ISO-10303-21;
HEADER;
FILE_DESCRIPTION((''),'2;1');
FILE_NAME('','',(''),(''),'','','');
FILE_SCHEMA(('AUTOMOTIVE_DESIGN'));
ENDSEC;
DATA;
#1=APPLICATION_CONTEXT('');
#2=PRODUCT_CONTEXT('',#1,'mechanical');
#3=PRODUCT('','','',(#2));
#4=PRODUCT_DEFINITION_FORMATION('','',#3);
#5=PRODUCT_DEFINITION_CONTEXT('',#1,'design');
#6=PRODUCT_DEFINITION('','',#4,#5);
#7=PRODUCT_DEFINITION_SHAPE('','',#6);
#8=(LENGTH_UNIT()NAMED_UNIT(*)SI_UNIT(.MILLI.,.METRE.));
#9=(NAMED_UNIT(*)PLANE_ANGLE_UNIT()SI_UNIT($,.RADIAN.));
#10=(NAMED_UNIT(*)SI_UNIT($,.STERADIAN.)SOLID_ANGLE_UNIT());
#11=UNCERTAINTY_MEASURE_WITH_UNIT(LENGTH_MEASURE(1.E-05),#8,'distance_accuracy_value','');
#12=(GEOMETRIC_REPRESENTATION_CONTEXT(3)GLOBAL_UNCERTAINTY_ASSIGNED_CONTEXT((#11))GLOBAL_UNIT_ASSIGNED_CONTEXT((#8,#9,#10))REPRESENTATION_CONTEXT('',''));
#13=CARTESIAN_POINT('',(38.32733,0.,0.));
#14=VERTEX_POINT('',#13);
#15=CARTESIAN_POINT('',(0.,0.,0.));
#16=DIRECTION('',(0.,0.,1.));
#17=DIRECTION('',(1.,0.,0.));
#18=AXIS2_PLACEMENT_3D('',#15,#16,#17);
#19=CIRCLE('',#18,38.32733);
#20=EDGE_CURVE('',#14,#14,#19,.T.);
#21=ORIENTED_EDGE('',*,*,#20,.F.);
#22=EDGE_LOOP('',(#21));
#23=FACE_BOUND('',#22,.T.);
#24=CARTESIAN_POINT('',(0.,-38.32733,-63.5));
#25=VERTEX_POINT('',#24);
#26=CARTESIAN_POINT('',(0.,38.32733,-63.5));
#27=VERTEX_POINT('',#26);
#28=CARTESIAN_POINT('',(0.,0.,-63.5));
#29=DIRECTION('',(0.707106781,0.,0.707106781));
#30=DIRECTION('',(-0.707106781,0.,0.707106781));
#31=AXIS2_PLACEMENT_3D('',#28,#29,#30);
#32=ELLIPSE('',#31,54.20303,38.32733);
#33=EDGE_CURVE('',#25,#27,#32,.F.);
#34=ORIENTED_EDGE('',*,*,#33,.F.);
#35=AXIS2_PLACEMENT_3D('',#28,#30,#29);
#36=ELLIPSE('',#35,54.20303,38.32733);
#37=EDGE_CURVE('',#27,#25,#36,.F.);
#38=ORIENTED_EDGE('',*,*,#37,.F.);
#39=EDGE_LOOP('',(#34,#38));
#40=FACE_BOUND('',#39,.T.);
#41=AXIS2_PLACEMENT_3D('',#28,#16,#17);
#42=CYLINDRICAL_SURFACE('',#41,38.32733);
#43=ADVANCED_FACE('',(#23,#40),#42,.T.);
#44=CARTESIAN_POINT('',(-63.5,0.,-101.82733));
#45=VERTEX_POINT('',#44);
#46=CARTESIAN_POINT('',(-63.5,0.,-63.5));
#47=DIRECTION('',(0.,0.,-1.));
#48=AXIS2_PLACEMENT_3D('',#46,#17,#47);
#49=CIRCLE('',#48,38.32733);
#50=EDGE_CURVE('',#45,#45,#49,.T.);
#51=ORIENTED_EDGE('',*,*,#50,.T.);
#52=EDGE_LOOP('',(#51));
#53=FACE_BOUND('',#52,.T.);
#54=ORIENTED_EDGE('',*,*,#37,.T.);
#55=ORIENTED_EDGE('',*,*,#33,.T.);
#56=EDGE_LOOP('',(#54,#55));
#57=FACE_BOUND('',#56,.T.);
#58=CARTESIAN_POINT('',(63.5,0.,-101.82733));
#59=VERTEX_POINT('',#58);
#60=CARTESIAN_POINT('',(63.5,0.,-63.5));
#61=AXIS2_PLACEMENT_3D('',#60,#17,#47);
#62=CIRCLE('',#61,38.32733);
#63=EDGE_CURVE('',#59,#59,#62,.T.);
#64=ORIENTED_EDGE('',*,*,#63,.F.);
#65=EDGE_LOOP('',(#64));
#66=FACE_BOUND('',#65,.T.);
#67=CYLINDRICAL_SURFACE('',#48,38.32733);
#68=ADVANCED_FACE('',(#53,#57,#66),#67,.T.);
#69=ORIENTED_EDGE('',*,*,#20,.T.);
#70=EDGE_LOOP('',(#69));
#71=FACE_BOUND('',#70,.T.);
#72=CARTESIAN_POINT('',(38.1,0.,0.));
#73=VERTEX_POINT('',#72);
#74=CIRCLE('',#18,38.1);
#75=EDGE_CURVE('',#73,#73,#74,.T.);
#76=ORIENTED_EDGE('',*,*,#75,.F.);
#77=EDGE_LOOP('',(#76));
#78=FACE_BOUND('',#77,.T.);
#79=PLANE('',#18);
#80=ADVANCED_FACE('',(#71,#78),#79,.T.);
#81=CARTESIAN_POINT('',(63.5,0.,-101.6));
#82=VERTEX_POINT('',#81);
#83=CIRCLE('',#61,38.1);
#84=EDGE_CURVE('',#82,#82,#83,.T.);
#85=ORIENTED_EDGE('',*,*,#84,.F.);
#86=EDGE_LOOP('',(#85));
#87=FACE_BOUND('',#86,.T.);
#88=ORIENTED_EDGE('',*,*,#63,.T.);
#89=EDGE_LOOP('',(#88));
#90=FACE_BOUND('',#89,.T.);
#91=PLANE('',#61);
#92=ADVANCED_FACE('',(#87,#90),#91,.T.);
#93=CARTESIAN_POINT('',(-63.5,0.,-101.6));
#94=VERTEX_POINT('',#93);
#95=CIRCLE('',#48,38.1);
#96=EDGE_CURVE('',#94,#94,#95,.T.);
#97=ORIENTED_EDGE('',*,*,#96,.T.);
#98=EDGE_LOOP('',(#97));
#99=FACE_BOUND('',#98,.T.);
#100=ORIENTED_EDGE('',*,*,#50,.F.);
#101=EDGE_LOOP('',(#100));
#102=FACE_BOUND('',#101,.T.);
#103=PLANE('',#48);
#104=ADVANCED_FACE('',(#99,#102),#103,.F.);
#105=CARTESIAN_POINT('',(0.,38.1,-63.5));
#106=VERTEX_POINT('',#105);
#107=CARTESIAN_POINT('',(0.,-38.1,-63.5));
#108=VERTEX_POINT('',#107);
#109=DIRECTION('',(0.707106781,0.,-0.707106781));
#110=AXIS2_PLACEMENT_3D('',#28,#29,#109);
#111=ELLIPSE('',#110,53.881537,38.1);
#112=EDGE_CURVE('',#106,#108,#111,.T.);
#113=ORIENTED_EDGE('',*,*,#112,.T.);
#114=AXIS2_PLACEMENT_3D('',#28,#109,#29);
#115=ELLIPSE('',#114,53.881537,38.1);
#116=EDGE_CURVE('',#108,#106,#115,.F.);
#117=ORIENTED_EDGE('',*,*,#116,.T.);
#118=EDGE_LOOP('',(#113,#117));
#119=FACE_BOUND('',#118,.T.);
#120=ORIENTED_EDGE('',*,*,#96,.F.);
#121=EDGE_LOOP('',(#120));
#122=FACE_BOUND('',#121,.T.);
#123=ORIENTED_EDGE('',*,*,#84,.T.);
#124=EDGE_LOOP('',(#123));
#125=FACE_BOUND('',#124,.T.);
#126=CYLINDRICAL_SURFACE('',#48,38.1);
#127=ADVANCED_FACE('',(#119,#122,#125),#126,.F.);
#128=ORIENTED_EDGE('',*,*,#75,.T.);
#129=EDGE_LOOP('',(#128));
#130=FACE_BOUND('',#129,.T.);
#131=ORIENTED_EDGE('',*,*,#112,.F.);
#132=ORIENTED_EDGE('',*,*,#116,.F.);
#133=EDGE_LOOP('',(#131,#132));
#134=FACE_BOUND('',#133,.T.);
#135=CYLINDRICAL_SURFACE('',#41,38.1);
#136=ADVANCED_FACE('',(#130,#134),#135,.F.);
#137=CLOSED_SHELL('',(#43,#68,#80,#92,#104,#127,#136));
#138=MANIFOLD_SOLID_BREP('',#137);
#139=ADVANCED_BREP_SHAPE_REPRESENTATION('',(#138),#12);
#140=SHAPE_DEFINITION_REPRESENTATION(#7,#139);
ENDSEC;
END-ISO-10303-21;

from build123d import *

# Parameters (mm, degrees)
SKETCH1_R           = 38.32733
BOSS_EXTRUDE2_DEPTH = 63.5
SKETCH2_R           = 38.32733
BOSS_EXTRUDE3_DEPTH = 127
SKETCH3_R           = 38.1
CUT_EXTRUDE1_DEPTH  = 128
SKETCH4_R           = 38.1
CUT_EXTRUDE2_DEPTH  = 63.5


with BuildPart() as part:
    # Sketch1 → Boss-Extrude2 (new body)
    with BuildSketch(Plane.XY):
        Circle(SKETCH1_R)
    extrude(amount=-BOSS_EXTRUDE2_DEPTH)

    # Sketch2 → Boss-Extrude3 (add)
    with BuildSketch(Plane(origin=(63.5, 0, 0), x_dir=(0, 0, -1), z_dir=(1, 0, 0))):
        with Locations((63.5, 0)):
            Circle(SKETCH2_R)
    extrude(amount=-BOSS_EXTRUDE3_DEPTH)

    # Sketch3 → Cut-Extrude1 (cut, through all)
    with BuildSketch(Plane(origin=(63.5, 0, 0), x_dir=(0, 0, -1), z_dir=(1, 0, 0))):
        with Locations((63.5, 0)):
            Circle(SKETCH3_R)
    extrude(amount=-CUT_EXTRUDE1_DEPTH, mode=Mode.SUBTRACT)

    # Sketch4 → Cut-Extrude2 (cut)
    with BuildSketch(Plane.XY):
        Circle(SKETCH4_R)
    extrude(amount=-CUT_EXTRUDE2_DEPTH, mode=Mode.SUBTRACT)


solid = part.part
